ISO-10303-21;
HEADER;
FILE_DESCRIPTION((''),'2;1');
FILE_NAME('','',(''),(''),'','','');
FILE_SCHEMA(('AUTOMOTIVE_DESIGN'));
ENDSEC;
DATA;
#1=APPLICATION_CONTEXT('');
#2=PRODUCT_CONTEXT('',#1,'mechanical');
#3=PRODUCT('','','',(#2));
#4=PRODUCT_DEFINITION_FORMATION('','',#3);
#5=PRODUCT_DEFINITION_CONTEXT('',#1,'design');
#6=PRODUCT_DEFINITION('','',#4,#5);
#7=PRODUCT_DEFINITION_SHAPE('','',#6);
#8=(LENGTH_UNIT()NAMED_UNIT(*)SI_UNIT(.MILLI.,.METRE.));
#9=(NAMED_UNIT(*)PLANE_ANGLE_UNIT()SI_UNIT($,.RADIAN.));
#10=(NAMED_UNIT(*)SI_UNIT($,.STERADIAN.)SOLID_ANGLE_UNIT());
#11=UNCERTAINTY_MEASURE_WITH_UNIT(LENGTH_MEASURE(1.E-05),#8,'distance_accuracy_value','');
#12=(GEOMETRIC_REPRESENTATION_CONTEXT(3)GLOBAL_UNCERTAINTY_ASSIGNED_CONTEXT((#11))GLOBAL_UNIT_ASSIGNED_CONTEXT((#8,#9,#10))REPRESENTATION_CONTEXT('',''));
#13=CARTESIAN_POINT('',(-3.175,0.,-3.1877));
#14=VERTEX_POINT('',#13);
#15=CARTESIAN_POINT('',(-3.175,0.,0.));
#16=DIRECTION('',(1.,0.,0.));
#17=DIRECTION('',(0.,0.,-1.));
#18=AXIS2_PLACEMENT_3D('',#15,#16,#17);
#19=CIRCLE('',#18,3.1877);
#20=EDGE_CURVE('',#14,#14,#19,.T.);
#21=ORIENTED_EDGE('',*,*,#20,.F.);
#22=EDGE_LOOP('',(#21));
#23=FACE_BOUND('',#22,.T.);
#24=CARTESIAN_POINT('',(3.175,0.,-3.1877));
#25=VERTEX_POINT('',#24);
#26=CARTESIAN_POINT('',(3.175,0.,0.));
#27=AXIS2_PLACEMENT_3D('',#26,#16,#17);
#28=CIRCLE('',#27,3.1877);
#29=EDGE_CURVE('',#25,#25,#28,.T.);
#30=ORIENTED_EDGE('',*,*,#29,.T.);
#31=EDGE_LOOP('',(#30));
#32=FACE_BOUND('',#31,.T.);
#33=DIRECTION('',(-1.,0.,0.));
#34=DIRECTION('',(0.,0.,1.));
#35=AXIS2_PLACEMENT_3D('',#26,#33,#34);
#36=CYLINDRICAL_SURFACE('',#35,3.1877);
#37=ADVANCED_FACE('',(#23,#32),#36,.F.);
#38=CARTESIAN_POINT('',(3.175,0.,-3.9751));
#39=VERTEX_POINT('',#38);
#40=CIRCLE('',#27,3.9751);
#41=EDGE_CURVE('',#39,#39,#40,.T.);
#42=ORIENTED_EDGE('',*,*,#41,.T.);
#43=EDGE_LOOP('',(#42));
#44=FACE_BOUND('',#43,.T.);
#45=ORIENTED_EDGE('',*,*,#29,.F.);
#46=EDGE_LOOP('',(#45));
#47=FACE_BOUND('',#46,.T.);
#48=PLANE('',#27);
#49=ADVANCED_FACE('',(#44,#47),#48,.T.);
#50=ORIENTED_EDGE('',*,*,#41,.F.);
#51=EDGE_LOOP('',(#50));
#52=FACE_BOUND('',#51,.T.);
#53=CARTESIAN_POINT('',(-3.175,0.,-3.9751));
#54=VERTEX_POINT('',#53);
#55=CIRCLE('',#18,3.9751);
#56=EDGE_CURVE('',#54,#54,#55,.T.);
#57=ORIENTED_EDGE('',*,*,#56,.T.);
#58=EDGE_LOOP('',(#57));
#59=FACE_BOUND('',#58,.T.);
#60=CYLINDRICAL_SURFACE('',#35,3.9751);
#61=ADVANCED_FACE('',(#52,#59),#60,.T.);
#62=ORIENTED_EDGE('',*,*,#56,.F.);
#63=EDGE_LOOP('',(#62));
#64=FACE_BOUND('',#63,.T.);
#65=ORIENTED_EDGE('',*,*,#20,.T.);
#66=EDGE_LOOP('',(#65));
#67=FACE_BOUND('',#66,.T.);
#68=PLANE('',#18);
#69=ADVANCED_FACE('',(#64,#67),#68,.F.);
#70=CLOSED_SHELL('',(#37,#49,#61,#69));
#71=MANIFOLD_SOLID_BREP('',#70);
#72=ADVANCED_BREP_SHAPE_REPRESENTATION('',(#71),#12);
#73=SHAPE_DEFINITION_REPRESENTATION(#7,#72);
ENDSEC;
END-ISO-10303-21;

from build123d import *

# Parameters (mm, degrees)
SKETCH1_R           = 3.9751
SKETCH1_R_2         = 3.1877
BOSS_EXTRUDE1_DEPTH = 3.175


with BuildPart() as part:
    # Sketch1 → Boss-Extrude1 (new body, symmetric)
    with BuildSketch(Plane(origin=(0, 0, 0), x_dir=(0, 0, -1), z_dir=(1, 0, 0))):
        Circle(SKETCH1_R)
        Circle(SKETCH1_R_2, mode=Mode.SUBTRACT)
    extrude(amount=BOSS_EXTRUDE1_DEPTH, both=True)


solid = part.part
